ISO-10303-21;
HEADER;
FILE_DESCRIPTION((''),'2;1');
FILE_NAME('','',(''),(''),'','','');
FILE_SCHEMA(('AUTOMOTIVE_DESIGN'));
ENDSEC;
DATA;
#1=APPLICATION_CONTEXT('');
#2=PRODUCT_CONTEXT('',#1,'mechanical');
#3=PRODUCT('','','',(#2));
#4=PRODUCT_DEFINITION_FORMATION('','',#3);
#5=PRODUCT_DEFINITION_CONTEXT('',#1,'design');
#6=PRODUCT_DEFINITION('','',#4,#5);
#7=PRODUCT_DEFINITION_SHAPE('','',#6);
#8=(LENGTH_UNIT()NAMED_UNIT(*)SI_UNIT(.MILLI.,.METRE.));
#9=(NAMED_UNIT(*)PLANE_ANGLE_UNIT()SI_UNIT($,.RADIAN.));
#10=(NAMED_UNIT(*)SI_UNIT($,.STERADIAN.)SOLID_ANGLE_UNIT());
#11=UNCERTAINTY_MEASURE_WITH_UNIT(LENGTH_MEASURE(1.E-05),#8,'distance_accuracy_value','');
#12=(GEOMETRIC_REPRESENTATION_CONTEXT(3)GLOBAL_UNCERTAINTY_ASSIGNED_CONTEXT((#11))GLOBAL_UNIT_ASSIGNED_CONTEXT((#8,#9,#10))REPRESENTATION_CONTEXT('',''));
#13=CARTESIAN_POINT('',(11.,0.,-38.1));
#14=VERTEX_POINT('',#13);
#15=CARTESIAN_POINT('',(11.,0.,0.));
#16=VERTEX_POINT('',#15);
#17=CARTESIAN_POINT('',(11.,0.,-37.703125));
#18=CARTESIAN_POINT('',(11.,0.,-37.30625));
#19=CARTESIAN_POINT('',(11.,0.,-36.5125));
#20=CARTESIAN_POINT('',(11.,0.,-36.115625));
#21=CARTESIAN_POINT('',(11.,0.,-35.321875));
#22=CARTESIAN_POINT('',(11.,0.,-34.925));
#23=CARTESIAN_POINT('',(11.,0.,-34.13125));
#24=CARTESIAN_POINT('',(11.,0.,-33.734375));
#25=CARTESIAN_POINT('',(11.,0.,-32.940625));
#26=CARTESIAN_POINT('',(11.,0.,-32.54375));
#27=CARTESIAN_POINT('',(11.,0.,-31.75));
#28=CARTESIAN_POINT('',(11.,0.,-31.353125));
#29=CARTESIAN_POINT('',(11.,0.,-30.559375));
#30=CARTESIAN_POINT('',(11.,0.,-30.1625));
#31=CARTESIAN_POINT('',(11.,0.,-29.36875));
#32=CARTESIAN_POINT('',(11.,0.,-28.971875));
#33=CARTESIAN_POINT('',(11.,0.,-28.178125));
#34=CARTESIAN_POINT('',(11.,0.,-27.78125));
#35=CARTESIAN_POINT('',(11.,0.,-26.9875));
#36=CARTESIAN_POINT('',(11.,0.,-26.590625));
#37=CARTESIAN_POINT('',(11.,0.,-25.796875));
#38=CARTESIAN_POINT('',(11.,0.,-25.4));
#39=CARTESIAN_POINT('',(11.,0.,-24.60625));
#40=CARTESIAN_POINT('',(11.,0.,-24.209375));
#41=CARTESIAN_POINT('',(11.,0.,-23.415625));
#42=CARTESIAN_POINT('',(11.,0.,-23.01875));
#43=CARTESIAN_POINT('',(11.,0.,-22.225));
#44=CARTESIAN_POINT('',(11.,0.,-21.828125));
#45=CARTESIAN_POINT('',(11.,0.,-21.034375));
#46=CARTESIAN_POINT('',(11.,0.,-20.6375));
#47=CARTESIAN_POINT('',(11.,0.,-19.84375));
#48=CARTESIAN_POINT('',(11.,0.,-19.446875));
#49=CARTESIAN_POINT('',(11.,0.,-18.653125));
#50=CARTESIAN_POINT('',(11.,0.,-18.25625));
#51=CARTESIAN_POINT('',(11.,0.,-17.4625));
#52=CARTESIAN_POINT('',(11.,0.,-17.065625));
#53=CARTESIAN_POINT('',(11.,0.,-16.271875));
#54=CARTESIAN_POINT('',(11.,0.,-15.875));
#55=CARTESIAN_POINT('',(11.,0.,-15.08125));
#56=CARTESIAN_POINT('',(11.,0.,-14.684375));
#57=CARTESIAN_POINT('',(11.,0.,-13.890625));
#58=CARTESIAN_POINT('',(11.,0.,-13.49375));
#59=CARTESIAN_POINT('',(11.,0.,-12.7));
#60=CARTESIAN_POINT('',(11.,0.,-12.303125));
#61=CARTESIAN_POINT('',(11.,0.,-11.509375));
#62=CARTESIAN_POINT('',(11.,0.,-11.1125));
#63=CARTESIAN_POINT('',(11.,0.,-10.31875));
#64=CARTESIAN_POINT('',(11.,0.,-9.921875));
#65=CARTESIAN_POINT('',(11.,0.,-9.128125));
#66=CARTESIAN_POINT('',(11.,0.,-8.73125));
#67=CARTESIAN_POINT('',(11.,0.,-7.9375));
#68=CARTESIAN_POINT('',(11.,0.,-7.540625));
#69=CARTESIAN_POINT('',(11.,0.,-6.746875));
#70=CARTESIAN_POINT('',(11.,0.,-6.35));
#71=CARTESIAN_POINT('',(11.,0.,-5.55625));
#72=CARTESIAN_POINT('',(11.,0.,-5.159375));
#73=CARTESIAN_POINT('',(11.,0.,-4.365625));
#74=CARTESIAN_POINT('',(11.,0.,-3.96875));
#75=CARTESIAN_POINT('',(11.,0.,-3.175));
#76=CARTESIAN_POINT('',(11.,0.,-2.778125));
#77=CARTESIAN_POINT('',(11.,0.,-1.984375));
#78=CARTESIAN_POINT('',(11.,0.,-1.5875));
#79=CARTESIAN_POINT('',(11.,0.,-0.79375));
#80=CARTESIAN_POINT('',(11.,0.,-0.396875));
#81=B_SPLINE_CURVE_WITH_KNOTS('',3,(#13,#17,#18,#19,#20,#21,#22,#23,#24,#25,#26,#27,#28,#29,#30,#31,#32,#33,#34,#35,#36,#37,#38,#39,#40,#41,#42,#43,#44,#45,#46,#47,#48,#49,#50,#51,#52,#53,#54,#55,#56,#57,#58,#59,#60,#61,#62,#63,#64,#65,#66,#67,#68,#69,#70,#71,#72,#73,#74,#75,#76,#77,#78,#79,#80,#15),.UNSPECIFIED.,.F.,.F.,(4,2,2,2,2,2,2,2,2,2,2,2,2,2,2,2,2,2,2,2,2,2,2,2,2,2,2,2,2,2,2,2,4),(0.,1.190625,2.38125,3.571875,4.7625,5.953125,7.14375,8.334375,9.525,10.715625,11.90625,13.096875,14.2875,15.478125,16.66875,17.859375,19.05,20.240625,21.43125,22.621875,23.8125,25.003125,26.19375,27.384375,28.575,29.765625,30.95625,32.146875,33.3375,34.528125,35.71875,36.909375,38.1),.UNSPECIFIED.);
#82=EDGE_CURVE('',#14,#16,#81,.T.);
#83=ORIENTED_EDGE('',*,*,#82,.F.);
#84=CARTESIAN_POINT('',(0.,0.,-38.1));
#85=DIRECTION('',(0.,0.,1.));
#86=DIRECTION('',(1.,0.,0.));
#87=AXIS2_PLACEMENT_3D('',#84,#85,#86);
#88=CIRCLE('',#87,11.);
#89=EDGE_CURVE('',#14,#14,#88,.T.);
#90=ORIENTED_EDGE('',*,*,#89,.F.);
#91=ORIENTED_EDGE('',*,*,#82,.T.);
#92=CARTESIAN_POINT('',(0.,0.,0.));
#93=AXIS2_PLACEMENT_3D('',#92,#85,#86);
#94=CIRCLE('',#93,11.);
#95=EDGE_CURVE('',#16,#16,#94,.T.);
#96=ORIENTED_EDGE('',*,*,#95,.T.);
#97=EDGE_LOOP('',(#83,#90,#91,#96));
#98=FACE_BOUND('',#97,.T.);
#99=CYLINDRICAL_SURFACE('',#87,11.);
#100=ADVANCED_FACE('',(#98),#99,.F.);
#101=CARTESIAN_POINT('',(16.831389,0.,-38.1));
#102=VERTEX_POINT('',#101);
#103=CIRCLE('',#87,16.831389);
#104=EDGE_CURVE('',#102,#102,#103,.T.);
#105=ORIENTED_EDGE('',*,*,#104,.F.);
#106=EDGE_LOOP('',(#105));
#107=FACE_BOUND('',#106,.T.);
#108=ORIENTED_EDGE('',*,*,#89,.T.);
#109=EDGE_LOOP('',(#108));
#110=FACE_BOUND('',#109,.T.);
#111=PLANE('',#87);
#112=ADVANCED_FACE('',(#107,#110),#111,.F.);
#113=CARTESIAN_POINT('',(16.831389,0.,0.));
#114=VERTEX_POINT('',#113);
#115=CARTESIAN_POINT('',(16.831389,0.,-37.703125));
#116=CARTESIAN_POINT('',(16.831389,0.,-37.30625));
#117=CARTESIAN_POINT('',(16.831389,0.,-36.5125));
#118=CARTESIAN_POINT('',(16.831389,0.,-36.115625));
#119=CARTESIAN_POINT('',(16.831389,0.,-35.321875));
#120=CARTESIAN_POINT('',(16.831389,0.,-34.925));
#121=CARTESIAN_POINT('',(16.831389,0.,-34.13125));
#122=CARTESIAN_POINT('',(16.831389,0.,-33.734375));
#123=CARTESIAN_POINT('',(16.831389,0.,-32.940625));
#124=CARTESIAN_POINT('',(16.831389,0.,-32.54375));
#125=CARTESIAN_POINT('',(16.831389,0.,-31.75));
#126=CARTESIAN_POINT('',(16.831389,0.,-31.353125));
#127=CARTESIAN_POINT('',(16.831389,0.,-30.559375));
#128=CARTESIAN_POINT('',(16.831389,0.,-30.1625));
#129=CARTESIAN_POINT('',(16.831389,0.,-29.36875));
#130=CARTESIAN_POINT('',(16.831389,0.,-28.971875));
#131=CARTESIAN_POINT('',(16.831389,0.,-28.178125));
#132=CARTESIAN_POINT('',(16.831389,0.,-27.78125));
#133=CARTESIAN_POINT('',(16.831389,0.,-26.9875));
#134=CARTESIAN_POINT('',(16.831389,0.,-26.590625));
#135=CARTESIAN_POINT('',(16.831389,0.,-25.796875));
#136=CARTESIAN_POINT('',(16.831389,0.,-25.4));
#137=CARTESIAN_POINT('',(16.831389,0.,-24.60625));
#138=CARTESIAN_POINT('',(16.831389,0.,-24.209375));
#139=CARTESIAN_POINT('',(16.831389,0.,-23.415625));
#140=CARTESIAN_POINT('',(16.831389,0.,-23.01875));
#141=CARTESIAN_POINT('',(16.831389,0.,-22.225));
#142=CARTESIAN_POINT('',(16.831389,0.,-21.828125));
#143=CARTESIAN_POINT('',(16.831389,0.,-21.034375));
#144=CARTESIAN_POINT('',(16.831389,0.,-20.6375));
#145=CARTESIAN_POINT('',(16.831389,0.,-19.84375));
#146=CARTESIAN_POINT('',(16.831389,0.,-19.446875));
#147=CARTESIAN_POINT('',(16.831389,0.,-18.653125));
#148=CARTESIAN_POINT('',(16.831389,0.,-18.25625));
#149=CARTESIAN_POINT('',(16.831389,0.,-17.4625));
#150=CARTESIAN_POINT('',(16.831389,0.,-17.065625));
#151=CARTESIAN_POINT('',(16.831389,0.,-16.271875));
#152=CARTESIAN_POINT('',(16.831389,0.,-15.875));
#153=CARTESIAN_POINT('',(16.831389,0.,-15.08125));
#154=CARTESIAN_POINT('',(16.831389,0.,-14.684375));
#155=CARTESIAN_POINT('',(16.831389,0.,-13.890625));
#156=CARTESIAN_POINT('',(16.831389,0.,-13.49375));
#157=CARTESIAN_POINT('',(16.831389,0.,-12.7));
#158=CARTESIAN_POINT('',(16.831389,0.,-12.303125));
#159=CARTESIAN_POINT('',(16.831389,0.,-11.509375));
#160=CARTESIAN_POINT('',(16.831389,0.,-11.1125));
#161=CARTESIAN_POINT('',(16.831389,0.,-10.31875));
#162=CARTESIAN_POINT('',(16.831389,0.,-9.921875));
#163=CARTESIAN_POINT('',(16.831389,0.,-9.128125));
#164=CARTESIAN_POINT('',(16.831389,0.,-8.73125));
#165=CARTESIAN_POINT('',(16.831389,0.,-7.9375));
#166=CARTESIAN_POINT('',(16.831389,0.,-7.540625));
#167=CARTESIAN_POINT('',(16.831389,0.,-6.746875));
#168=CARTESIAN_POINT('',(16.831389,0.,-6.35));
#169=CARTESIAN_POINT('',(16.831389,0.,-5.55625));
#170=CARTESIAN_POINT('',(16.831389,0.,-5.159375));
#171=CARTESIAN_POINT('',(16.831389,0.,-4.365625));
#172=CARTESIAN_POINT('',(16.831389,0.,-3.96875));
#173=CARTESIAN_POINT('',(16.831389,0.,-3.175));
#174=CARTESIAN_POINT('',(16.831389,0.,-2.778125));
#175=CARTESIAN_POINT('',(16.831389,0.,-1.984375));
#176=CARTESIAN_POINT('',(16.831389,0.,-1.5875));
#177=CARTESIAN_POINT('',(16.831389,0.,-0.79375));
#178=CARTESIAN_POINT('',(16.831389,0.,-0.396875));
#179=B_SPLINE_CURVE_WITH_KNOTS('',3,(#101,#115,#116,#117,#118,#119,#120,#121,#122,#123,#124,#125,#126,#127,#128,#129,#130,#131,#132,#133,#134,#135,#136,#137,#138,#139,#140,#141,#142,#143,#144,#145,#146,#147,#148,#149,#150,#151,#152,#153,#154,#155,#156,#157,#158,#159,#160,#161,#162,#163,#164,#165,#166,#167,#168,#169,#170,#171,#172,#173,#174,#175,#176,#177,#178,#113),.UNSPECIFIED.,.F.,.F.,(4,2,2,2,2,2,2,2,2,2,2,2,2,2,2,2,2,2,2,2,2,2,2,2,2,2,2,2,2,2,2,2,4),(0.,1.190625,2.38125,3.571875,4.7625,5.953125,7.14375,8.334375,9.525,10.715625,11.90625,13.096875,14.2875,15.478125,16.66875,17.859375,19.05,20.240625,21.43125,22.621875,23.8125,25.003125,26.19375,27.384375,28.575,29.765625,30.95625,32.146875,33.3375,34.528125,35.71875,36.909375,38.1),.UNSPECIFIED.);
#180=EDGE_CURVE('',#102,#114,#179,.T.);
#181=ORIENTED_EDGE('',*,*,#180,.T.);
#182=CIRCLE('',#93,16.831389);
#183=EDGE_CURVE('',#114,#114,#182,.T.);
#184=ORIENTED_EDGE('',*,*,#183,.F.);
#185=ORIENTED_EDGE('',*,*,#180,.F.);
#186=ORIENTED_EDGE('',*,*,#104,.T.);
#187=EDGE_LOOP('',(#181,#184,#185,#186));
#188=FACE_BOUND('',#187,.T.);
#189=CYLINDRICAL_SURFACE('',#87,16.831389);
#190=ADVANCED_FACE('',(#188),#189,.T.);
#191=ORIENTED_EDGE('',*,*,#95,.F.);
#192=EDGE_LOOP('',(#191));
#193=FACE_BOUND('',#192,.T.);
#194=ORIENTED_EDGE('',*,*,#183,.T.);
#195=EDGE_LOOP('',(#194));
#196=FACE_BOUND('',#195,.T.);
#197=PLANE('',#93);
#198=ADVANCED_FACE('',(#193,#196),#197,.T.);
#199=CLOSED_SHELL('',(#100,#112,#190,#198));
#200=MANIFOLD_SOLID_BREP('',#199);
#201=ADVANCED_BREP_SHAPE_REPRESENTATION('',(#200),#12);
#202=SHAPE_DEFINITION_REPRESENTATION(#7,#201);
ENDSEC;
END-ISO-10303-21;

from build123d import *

# Parameters (mm, degrees)
SKETCH1_R           = 16.831388628
SKETCH1_R_2         = 11
BOSS_EXTRUDE1_DEPTH = 38.1


with BuildPart() as part:
    # Sketch1 → Boss-Extrude1 (new body)
    with BuildSketch(Plane.XY):
        Circle(SKETCH1_R)
        Circle(SKETCH1_R_2, mode=Mode.SUBTRACT)
    extrude(amount=-BOSS_EXTRUDE1_DEPTH)


solid = part.part
